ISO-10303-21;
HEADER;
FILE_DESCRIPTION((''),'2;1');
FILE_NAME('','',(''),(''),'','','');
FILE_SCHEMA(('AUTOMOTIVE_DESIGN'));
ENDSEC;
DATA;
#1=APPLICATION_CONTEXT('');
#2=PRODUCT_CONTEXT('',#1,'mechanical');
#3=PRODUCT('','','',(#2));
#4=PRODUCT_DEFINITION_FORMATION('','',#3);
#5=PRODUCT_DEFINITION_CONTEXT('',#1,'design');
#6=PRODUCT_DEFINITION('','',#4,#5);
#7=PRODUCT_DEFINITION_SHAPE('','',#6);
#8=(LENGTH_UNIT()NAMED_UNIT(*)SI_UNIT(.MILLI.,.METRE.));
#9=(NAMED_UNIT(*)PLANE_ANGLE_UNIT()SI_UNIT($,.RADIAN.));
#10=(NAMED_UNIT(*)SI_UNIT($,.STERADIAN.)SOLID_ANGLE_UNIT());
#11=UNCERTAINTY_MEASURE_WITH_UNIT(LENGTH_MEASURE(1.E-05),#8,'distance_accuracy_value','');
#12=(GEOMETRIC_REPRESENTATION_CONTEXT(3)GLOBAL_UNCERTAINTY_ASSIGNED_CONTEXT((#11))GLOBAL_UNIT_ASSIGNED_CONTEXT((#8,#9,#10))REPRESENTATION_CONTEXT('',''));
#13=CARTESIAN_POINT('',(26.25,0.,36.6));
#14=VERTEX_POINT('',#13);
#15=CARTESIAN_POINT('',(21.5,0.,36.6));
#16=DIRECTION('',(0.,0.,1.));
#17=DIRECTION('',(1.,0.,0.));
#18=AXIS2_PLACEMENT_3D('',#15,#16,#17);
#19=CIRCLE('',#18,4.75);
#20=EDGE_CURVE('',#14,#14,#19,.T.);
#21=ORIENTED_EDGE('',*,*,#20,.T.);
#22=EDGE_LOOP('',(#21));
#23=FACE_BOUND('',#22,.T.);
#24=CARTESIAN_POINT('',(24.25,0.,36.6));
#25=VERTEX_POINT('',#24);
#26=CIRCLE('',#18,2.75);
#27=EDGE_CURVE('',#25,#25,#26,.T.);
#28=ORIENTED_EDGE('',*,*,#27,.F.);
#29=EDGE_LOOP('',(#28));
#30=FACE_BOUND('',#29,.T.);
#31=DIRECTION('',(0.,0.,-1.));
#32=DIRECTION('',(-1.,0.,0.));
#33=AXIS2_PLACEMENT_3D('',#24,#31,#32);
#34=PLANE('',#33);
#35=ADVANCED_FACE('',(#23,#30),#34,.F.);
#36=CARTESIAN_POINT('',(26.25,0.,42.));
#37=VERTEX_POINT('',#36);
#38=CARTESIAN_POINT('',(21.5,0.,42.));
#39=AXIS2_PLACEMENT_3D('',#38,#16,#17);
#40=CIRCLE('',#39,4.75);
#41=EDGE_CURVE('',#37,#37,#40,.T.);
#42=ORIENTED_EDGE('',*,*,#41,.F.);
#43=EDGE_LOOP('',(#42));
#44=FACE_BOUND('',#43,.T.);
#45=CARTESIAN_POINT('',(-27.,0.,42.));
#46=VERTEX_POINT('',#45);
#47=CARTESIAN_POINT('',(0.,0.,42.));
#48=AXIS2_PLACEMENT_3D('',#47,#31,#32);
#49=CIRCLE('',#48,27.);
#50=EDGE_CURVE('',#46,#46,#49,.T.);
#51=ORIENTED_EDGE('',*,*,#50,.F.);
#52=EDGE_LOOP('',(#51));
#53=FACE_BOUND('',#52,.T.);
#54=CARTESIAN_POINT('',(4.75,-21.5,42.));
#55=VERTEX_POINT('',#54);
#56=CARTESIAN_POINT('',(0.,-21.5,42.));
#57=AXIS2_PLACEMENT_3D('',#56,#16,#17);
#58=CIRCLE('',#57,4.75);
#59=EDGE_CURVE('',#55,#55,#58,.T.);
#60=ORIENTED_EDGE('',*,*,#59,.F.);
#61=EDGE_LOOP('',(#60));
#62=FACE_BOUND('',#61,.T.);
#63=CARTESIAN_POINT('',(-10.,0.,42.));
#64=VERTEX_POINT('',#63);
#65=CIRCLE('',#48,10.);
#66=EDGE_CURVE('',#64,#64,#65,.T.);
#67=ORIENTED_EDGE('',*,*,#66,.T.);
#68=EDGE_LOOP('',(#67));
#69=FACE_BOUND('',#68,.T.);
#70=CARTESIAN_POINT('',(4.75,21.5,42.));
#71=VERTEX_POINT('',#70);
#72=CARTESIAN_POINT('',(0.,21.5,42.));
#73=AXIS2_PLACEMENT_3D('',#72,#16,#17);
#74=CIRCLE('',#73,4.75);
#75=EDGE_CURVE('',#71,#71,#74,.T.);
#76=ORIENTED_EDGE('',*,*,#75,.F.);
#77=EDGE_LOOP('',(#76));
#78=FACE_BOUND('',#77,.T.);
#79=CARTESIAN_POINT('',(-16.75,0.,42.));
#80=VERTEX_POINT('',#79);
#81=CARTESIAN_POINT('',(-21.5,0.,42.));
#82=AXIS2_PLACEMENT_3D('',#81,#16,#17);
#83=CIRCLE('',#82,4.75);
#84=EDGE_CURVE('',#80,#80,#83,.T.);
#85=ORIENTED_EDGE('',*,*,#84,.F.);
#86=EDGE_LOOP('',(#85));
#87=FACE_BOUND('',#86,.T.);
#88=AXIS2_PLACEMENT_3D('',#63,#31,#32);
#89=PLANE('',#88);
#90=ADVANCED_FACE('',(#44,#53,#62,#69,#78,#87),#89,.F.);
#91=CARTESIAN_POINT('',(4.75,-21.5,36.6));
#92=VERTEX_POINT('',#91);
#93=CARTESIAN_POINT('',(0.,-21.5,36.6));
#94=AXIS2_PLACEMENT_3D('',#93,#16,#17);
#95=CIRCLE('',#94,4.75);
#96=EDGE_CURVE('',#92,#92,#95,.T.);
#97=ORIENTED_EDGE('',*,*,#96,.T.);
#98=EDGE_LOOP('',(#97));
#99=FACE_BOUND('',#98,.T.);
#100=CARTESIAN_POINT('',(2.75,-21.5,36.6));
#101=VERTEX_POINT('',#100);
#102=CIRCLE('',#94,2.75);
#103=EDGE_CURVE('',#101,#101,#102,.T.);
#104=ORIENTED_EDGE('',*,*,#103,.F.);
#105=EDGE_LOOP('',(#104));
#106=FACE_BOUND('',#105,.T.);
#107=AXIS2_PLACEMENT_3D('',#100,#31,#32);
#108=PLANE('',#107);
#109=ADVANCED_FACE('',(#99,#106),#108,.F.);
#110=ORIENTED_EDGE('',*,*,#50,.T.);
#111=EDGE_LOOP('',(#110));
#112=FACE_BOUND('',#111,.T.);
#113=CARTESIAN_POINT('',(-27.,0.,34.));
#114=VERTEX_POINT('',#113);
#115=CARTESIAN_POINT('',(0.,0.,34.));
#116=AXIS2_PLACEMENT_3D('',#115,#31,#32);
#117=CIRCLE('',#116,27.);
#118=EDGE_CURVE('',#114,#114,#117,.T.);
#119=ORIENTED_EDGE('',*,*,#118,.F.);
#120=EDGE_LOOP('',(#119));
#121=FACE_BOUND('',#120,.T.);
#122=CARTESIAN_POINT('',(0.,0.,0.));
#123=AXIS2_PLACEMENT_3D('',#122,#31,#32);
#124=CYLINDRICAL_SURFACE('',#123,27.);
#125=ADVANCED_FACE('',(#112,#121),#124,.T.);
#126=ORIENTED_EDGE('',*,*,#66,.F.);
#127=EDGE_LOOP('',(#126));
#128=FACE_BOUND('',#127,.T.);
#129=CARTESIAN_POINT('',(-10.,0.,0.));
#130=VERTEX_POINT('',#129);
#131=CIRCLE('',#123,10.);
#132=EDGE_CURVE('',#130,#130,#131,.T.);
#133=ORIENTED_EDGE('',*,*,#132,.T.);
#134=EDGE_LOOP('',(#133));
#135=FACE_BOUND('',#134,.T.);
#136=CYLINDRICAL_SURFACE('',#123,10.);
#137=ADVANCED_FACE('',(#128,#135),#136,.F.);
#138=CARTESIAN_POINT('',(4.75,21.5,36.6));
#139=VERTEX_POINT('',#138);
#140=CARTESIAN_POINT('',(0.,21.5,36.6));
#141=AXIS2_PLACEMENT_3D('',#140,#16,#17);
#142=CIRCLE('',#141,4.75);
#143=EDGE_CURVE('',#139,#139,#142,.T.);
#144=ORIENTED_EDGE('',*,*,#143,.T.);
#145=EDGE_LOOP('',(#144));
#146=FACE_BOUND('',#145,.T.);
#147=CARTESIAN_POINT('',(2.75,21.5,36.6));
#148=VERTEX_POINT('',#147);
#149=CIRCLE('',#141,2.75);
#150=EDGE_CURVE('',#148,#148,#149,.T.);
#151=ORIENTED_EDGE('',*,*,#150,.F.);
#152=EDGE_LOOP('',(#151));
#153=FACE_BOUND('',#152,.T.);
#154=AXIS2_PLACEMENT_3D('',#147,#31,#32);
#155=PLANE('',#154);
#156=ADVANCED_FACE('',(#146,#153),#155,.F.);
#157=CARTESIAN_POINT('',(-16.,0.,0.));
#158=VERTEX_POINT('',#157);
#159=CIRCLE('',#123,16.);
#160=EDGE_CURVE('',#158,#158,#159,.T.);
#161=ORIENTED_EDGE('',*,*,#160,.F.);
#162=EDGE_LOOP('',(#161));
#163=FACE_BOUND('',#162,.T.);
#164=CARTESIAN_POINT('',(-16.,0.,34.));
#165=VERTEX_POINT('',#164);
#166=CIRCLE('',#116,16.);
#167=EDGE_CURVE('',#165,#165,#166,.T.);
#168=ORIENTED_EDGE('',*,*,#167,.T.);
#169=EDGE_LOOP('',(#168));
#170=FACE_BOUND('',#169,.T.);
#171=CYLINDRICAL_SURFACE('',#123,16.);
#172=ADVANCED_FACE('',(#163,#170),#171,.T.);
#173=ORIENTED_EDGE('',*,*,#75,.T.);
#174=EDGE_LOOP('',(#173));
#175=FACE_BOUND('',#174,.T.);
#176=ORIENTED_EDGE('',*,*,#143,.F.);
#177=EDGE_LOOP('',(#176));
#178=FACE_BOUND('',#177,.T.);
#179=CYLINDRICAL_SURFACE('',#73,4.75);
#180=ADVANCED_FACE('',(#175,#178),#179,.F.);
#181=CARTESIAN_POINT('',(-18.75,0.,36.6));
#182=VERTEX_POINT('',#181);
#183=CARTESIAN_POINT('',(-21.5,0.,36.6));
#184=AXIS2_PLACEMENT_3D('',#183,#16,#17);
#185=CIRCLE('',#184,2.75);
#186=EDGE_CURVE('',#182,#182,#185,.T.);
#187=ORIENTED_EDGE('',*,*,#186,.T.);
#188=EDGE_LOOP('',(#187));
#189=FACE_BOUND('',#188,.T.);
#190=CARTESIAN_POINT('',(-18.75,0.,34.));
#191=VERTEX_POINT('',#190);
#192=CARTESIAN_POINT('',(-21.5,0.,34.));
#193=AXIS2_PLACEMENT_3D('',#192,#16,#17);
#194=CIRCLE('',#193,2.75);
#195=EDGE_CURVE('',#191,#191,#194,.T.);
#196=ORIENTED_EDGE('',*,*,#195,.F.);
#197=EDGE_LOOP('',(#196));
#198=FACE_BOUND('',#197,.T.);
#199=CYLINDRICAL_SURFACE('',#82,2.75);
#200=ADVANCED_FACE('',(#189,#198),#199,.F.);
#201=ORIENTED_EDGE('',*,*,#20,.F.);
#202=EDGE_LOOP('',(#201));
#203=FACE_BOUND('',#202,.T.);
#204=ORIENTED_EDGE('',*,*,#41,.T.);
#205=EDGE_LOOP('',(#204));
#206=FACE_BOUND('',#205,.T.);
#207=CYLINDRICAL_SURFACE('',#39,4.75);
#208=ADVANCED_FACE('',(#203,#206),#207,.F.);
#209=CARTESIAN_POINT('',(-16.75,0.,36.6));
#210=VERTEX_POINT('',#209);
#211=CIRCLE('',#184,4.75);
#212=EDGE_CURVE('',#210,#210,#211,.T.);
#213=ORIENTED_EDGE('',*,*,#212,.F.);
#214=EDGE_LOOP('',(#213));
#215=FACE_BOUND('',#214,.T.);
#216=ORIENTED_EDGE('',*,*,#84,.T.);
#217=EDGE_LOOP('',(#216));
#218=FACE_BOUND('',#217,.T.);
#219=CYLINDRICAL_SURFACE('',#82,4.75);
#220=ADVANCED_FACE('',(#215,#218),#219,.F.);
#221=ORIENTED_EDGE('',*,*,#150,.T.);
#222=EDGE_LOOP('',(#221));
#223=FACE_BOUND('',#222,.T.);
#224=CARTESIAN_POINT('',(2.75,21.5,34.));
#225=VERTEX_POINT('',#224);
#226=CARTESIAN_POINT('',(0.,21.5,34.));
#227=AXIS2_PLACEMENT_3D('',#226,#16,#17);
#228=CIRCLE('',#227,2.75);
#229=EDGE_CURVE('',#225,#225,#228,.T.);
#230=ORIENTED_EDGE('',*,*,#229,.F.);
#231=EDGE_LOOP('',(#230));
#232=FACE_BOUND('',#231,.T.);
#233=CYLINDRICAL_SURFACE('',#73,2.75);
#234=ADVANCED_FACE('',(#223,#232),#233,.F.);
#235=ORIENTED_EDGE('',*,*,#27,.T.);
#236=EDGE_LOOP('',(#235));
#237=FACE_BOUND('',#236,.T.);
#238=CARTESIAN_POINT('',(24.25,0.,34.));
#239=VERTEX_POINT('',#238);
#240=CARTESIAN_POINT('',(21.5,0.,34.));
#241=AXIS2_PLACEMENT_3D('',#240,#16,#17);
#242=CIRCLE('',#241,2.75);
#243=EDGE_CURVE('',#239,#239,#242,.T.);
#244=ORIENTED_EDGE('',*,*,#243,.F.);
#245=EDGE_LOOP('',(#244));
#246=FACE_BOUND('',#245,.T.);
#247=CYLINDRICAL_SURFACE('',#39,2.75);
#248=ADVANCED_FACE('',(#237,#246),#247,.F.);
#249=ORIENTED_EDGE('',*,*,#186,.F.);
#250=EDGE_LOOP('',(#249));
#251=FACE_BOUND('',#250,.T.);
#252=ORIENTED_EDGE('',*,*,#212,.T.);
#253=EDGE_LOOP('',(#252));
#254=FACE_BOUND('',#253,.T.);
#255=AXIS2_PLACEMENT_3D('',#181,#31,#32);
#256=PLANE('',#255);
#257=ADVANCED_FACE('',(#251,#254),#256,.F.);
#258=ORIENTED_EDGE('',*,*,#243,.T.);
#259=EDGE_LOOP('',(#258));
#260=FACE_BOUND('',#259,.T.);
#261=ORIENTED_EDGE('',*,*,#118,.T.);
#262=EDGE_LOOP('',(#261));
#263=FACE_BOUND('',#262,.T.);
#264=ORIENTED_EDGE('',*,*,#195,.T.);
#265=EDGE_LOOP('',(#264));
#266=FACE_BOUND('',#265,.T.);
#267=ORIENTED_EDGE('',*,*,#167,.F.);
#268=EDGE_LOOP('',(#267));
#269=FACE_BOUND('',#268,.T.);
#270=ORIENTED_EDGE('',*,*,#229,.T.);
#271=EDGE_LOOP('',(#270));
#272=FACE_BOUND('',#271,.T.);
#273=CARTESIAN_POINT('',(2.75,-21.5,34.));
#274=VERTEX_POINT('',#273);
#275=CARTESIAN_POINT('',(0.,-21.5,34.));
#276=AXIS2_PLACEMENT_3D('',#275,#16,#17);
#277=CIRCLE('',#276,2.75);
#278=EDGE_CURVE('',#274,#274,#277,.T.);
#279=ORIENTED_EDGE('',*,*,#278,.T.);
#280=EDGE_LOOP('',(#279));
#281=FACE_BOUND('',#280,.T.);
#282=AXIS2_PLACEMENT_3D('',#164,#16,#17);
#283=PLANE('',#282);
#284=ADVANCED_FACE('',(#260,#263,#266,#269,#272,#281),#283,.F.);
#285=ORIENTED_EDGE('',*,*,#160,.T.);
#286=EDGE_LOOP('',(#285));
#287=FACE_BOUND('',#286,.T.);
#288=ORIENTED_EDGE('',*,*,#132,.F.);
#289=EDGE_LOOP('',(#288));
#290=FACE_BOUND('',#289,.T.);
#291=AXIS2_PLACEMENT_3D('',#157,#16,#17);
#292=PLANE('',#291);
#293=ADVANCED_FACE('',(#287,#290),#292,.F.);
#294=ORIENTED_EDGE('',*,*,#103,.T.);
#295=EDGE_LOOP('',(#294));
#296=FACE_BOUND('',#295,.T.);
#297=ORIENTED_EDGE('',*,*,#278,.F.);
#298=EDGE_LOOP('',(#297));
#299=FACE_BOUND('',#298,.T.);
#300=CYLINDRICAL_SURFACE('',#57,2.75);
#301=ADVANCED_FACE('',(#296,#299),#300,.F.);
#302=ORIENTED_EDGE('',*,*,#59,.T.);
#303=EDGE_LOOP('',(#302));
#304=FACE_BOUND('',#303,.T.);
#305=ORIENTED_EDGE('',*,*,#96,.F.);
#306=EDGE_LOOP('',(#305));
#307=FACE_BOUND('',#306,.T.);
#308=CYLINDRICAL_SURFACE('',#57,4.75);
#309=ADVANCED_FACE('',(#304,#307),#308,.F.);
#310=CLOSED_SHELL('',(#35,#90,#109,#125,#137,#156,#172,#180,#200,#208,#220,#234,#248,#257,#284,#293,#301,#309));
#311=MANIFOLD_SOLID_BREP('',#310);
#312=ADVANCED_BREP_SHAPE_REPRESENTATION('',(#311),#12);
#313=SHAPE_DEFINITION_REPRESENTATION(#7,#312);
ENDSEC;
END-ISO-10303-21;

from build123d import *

# Parameters (mm, degrees)
HOLE_WIZARD_1_D           = 5.5
HOLE_WIZARD_1_CBORE_D     = 9.5
HOLE_WIZARD_1_CBORE_DEPTH = 5.4


with BuildPart() as part:
    # 草图1 → 旋转1 (revolve)
    with BuildSketch(Plane(origin=(0, 0, 0), x_dir=(0, 0, 1), z_dir=(0, -1, 0))):
        Polygon((0, 10), (42, 10), (42, 27), (34, 27), (34, 16), (0, 16), align=None)
    revolve(axis=Axis((0, 0, 0), (0, 0, 1)))

    # 孔1 (through all)
    with Locations(Plane.XY.offset(42)):
        with Locations((0, -21.5), (-21.5, 0), (0, 21.5), (21.5, 0)):
            CounterBoreHole(HOLE_WIZARD_1_D / 2, HOLE_WIZARD_1_CBORE_D / 2, HOLE_WIZARD_1_CBORE_DEPTH)


solid = part.part
